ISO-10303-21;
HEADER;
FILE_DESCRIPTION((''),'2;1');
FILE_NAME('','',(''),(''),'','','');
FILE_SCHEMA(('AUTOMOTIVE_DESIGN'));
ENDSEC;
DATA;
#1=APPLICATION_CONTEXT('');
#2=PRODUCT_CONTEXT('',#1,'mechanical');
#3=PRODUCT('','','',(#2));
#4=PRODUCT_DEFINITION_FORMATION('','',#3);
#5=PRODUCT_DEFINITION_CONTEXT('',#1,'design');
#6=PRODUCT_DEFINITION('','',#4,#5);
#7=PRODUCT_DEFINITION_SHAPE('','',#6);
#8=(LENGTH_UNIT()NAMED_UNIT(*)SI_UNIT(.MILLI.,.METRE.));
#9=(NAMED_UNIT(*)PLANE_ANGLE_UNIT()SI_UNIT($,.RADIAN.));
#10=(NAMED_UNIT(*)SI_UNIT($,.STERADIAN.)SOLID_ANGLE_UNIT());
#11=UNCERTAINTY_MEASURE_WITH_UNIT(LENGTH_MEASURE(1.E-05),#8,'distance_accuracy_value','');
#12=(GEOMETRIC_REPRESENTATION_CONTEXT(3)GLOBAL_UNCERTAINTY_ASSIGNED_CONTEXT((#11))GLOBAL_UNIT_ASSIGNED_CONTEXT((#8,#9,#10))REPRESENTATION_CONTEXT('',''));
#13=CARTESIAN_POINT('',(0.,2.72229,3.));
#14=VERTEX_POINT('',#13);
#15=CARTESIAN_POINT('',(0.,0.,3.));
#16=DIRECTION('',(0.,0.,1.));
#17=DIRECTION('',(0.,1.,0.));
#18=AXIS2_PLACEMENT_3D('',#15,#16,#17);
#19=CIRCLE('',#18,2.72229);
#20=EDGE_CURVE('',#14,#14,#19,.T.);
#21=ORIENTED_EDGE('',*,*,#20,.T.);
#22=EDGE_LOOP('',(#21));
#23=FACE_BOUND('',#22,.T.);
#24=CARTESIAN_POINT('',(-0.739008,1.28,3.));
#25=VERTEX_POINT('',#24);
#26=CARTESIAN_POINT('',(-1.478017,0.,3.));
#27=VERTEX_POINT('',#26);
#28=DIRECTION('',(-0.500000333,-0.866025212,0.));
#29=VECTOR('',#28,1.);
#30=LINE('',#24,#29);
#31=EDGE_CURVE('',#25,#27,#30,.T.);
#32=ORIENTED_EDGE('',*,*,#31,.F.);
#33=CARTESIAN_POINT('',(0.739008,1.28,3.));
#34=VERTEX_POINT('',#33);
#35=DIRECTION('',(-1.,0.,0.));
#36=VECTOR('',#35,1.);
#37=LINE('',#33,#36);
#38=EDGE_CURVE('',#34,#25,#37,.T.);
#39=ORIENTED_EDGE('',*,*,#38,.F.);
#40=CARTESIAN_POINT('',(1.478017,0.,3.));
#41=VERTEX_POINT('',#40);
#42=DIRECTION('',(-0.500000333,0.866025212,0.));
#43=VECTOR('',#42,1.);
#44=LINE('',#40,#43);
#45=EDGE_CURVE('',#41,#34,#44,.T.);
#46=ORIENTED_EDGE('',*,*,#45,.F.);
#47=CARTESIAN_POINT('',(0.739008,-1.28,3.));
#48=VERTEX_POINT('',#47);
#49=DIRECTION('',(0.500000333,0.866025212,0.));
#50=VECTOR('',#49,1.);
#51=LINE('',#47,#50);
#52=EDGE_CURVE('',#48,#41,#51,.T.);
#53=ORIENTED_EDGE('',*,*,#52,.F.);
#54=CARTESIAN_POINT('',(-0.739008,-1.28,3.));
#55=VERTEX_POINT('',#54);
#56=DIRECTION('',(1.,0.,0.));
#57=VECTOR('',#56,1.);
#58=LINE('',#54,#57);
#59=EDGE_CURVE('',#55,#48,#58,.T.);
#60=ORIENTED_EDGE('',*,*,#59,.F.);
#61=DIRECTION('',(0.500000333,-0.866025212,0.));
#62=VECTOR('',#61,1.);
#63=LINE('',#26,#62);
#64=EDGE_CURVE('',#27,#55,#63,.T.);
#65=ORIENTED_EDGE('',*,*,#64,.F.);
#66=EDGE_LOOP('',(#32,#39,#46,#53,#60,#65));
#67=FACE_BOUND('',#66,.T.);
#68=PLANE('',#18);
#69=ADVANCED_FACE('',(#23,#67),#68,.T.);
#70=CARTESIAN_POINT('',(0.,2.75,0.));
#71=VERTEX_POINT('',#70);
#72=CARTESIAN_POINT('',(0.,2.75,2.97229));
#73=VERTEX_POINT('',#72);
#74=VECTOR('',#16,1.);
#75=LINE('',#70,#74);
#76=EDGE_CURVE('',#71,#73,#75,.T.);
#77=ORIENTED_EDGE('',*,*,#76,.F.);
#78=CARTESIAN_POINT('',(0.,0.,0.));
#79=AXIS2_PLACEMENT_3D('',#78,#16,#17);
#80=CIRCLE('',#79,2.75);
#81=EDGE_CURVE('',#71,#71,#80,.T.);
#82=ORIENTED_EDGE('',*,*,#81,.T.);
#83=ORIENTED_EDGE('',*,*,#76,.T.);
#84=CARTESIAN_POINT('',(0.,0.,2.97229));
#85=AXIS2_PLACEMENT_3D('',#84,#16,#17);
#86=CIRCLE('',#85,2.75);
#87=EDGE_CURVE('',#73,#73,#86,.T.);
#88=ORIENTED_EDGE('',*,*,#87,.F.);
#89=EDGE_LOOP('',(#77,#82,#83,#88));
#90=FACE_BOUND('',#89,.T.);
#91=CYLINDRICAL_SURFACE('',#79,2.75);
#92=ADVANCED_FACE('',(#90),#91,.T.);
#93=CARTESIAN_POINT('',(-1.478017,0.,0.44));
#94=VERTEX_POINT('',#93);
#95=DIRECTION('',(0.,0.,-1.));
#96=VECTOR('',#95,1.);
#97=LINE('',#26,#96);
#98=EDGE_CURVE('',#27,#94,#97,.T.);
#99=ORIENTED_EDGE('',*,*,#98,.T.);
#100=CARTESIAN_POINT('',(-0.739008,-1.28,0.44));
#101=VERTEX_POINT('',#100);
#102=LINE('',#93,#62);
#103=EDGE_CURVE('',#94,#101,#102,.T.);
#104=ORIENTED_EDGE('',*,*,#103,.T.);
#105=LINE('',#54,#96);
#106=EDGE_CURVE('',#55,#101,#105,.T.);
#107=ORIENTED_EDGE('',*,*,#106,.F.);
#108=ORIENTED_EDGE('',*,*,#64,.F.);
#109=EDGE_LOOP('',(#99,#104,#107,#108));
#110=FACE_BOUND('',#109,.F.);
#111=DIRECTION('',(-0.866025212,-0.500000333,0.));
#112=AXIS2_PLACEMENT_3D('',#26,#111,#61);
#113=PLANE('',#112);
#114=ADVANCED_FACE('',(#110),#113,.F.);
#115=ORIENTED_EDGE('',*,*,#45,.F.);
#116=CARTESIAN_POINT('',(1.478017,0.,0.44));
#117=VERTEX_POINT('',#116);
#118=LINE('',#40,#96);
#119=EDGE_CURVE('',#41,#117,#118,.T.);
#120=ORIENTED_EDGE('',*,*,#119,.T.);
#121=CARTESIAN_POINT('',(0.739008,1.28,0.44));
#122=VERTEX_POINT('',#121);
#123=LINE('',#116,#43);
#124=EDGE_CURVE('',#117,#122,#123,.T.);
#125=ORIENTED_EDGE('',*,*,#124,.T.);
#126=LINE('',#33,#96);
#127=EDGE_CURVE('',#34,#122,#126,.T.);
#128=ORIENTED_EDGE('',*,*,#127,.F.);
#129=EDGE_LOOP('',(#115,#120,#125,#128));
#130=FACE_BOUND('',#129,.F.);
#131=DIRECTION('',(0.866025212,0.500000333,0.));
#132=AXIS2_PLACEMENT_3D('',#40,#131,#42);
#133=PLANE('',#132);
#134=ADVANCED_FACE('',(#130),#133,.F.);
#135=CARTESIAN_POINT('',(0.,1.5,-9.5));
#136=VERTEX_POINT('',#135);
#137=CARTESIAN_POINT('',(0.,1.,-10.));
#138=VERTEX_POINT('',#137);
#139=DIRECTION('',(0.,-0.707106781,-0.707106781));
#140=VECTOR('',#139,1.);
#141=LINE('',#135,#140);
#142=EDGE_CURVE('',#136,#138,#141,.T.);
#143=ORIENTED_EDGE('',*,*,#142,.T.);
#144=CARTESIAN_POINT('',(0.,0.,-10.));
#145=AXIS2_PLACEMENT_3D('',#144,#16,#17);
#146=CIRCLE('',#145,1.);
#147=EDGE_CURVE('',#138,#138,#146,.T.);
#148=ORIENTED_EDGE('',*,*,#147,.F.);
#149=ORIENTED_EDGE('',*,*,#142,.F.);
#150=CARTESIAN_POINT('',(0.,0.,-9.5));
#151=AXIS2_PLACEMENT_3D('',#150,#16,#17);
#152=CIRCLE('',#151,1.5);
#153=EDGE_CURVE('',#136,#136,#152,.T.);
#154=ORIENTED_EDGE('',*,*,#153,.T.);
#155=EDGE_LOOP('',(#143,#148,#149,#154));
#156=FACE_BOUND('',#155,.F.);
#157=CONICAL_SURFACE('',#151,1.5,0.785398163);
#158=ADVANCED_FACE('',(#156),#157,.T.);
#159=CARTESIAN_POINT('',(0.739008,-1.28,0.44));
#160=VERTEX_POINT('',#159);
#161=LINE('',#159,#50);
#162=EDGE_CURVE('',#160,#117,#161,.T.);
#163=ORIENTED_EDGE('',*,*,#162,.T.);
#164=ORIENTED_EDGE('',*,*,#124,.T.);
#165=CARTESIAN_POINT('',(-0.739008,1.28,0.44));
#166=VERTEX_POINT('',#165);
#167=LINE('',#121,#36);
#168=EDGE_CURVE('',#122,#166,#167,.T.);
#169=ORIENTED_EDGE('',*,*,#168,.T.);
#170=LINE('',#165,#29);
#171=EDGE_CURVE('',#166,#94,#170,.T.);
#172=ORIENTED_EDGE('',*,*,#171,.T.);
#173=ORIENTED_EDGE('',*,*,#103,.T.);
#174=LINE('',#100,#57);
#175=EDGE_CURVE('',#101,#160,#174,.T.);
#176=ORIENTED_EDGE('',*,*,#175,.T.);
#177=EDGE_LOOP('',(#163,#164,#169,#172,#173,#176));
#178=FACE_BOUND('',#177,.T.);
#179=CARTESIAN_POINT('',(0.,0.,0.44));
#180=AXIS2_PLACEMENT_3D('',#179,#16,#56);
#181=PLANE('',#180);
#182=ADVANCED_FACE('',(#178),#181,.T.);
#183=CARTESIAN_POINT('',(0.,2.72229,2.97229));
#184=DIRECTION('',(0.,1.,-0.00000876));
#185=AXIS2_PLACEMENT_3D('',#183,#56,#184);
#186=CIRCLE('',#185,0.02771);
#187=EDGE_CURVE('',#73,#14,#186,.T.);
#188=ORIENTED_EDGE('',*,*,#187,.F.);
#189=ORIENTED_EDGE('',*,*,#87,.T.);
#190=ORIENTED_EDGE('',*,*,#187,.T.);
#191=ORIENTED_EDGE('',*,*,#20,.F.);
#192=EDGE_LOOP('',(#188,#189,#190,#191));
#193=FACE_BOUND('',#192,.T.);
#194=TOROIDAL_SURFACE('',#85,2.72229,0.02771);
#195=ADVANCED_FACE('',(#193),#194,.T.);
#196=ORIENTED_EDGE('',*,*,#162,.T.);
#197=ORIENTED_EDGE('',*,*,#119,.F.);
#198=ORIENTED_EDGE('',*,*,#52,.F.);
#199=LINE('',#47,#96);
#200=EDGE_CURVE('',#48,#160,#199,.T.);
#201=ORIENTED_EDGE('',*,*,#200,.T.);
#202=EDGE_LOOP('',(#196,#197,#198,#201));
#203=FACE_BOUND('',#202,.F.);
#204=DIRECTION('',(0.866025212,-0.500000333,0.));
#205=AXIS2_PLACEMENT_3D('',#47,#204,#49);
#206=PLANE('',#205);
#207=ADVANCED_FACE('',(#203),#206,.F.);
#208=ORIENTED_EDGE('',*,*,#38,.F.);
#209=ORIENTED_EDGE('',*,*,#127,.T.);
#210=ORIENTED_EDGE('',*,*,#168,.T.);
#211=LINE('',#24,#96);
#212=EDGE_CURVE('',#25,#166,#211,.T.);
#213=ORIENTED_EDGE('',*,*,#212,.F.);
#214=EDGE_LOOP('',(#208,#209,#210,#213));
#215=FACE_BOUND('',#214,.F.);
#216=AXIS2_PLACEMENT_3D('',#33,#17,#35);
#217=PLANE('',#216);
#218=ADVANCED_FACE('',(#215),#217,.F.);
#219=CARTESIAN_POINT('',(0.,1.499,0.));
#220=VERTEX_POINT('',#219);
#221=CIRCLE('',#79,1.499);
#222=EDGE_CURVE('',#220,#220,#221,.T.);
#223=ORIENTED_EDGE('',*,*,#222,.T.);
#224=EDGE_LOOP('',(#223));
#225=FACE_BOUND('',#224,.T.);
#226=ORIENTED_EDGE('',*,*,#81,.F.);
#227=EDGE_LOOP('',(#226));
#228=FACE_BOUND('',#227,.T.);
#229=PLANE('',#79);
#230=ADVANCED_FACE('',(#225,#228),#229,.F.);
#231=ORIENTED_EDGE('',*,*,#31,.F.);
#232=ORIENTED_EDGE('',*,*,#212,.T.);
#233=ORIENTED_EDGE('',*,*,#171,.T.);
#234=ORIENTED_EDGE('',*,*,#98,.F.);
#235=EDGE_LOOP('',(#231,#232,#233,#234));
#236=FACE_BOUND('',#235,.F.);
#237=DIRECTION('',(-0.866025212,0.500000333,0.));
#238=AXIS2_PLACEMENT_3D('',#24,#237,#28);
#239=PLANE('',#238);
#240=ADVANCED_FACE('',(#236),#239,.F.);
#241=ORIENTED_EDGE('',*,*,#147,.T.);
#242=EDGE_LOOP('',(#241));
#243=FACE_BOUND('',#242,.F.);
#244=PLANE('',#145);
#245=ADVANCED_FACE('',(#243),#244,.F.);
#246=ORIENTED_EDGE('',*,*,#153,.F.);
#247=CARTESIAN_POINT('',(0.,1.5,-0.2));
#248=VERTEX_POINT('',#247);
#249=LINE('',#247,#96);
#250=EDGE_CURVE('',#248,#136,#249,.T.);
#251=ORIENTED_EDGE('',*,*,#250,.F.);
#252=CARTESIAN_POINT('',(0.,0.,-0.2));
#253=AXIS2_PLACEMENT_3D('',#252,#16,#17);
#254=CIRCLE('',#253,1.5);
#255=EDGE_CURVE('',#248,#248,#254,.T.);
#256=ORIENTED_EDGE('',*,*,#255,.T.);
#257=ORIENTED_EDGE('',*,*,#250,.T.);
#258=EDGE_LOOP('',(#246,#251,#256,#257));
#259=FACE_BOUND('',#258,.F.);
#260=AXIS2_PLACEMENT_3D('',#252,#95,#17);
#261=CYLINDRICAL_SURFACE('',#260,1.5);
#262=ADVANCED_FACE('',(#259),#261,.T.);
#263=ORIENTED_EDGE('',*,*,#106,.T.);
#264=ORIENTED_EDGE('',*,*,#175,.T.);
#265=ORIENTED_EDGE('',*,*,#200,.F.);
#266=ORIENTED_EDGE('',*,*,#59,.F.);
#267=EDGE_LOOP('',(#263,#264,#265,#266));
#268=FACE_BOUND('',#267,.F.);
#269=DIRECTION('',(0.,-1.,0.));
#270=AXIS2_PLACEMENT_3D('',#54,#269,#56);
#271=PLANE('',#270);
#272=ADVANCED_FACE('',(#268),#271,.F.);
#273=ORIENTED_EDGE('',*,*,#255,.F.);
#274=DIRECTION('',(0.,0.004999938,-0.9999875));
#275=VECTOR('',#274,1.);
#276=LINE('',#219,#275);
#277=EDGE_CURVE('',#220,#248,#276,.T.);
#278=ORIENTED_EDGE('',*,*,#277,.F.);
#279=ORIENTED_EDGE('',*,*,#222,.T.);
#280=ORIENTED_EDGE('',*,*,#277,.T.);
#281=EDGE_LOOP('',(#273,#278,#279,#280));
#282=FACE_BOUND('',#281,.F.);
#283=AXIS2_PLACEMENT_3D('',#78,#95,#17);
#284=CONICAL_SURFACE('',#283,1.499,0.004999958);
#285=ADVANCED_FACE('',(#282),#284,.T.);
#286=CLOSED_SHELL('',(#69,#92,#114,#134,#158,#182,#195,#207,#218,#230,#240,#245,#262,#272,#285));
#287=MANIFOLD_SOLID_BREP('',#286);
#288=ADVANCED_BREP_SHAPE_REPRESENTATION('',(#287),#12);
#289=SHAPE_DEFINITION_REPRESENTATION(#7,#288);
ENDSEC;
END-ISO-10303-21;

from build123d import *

# Parameters (mm, degrees)
POCKET_DEPTH = 2.56


with BuildPart() as part:
    # Sketch → Revolve (revolve)
    with BuildSketch(Plane.YZ):
        with BuildLine():
            Line((1.499, 0), (2.75, 0))
            Line((2.75, 0), (2.75, 2.97229))
            ThreePointArc((2.75, 2.97229), (2.741884, 2.991884), (2.72229, 3))
            Line((2.72229, 3), (0, 3))
            Line((0, -10), (0, 3))
            Line((1, -10), (0, -10))
            Line((1.5, -9.5), (1, -10))
            Line((1.5, -0.2), (1.5, -9.5))
            Line((1.499, 0), (1.5, -0.2))
        make_face()
    revolve(axis=Axis((0, 0, 0), (0, 0, 1)))

    # Sketch001 → Pocket (cut)
    with BuildSketch(Plane.XY.offset(3)):
        Polygon((1.478017, 0), (0.739008, 1.28), (-0.739008, 1.28), (-1.478017, 0), (-0.739008, -1.28), (0.739008, -1.28), align=None)
    extrude(amount=-POCKET_DEPTH, mode=Mode.SUBTRACT)


solid = part.part
